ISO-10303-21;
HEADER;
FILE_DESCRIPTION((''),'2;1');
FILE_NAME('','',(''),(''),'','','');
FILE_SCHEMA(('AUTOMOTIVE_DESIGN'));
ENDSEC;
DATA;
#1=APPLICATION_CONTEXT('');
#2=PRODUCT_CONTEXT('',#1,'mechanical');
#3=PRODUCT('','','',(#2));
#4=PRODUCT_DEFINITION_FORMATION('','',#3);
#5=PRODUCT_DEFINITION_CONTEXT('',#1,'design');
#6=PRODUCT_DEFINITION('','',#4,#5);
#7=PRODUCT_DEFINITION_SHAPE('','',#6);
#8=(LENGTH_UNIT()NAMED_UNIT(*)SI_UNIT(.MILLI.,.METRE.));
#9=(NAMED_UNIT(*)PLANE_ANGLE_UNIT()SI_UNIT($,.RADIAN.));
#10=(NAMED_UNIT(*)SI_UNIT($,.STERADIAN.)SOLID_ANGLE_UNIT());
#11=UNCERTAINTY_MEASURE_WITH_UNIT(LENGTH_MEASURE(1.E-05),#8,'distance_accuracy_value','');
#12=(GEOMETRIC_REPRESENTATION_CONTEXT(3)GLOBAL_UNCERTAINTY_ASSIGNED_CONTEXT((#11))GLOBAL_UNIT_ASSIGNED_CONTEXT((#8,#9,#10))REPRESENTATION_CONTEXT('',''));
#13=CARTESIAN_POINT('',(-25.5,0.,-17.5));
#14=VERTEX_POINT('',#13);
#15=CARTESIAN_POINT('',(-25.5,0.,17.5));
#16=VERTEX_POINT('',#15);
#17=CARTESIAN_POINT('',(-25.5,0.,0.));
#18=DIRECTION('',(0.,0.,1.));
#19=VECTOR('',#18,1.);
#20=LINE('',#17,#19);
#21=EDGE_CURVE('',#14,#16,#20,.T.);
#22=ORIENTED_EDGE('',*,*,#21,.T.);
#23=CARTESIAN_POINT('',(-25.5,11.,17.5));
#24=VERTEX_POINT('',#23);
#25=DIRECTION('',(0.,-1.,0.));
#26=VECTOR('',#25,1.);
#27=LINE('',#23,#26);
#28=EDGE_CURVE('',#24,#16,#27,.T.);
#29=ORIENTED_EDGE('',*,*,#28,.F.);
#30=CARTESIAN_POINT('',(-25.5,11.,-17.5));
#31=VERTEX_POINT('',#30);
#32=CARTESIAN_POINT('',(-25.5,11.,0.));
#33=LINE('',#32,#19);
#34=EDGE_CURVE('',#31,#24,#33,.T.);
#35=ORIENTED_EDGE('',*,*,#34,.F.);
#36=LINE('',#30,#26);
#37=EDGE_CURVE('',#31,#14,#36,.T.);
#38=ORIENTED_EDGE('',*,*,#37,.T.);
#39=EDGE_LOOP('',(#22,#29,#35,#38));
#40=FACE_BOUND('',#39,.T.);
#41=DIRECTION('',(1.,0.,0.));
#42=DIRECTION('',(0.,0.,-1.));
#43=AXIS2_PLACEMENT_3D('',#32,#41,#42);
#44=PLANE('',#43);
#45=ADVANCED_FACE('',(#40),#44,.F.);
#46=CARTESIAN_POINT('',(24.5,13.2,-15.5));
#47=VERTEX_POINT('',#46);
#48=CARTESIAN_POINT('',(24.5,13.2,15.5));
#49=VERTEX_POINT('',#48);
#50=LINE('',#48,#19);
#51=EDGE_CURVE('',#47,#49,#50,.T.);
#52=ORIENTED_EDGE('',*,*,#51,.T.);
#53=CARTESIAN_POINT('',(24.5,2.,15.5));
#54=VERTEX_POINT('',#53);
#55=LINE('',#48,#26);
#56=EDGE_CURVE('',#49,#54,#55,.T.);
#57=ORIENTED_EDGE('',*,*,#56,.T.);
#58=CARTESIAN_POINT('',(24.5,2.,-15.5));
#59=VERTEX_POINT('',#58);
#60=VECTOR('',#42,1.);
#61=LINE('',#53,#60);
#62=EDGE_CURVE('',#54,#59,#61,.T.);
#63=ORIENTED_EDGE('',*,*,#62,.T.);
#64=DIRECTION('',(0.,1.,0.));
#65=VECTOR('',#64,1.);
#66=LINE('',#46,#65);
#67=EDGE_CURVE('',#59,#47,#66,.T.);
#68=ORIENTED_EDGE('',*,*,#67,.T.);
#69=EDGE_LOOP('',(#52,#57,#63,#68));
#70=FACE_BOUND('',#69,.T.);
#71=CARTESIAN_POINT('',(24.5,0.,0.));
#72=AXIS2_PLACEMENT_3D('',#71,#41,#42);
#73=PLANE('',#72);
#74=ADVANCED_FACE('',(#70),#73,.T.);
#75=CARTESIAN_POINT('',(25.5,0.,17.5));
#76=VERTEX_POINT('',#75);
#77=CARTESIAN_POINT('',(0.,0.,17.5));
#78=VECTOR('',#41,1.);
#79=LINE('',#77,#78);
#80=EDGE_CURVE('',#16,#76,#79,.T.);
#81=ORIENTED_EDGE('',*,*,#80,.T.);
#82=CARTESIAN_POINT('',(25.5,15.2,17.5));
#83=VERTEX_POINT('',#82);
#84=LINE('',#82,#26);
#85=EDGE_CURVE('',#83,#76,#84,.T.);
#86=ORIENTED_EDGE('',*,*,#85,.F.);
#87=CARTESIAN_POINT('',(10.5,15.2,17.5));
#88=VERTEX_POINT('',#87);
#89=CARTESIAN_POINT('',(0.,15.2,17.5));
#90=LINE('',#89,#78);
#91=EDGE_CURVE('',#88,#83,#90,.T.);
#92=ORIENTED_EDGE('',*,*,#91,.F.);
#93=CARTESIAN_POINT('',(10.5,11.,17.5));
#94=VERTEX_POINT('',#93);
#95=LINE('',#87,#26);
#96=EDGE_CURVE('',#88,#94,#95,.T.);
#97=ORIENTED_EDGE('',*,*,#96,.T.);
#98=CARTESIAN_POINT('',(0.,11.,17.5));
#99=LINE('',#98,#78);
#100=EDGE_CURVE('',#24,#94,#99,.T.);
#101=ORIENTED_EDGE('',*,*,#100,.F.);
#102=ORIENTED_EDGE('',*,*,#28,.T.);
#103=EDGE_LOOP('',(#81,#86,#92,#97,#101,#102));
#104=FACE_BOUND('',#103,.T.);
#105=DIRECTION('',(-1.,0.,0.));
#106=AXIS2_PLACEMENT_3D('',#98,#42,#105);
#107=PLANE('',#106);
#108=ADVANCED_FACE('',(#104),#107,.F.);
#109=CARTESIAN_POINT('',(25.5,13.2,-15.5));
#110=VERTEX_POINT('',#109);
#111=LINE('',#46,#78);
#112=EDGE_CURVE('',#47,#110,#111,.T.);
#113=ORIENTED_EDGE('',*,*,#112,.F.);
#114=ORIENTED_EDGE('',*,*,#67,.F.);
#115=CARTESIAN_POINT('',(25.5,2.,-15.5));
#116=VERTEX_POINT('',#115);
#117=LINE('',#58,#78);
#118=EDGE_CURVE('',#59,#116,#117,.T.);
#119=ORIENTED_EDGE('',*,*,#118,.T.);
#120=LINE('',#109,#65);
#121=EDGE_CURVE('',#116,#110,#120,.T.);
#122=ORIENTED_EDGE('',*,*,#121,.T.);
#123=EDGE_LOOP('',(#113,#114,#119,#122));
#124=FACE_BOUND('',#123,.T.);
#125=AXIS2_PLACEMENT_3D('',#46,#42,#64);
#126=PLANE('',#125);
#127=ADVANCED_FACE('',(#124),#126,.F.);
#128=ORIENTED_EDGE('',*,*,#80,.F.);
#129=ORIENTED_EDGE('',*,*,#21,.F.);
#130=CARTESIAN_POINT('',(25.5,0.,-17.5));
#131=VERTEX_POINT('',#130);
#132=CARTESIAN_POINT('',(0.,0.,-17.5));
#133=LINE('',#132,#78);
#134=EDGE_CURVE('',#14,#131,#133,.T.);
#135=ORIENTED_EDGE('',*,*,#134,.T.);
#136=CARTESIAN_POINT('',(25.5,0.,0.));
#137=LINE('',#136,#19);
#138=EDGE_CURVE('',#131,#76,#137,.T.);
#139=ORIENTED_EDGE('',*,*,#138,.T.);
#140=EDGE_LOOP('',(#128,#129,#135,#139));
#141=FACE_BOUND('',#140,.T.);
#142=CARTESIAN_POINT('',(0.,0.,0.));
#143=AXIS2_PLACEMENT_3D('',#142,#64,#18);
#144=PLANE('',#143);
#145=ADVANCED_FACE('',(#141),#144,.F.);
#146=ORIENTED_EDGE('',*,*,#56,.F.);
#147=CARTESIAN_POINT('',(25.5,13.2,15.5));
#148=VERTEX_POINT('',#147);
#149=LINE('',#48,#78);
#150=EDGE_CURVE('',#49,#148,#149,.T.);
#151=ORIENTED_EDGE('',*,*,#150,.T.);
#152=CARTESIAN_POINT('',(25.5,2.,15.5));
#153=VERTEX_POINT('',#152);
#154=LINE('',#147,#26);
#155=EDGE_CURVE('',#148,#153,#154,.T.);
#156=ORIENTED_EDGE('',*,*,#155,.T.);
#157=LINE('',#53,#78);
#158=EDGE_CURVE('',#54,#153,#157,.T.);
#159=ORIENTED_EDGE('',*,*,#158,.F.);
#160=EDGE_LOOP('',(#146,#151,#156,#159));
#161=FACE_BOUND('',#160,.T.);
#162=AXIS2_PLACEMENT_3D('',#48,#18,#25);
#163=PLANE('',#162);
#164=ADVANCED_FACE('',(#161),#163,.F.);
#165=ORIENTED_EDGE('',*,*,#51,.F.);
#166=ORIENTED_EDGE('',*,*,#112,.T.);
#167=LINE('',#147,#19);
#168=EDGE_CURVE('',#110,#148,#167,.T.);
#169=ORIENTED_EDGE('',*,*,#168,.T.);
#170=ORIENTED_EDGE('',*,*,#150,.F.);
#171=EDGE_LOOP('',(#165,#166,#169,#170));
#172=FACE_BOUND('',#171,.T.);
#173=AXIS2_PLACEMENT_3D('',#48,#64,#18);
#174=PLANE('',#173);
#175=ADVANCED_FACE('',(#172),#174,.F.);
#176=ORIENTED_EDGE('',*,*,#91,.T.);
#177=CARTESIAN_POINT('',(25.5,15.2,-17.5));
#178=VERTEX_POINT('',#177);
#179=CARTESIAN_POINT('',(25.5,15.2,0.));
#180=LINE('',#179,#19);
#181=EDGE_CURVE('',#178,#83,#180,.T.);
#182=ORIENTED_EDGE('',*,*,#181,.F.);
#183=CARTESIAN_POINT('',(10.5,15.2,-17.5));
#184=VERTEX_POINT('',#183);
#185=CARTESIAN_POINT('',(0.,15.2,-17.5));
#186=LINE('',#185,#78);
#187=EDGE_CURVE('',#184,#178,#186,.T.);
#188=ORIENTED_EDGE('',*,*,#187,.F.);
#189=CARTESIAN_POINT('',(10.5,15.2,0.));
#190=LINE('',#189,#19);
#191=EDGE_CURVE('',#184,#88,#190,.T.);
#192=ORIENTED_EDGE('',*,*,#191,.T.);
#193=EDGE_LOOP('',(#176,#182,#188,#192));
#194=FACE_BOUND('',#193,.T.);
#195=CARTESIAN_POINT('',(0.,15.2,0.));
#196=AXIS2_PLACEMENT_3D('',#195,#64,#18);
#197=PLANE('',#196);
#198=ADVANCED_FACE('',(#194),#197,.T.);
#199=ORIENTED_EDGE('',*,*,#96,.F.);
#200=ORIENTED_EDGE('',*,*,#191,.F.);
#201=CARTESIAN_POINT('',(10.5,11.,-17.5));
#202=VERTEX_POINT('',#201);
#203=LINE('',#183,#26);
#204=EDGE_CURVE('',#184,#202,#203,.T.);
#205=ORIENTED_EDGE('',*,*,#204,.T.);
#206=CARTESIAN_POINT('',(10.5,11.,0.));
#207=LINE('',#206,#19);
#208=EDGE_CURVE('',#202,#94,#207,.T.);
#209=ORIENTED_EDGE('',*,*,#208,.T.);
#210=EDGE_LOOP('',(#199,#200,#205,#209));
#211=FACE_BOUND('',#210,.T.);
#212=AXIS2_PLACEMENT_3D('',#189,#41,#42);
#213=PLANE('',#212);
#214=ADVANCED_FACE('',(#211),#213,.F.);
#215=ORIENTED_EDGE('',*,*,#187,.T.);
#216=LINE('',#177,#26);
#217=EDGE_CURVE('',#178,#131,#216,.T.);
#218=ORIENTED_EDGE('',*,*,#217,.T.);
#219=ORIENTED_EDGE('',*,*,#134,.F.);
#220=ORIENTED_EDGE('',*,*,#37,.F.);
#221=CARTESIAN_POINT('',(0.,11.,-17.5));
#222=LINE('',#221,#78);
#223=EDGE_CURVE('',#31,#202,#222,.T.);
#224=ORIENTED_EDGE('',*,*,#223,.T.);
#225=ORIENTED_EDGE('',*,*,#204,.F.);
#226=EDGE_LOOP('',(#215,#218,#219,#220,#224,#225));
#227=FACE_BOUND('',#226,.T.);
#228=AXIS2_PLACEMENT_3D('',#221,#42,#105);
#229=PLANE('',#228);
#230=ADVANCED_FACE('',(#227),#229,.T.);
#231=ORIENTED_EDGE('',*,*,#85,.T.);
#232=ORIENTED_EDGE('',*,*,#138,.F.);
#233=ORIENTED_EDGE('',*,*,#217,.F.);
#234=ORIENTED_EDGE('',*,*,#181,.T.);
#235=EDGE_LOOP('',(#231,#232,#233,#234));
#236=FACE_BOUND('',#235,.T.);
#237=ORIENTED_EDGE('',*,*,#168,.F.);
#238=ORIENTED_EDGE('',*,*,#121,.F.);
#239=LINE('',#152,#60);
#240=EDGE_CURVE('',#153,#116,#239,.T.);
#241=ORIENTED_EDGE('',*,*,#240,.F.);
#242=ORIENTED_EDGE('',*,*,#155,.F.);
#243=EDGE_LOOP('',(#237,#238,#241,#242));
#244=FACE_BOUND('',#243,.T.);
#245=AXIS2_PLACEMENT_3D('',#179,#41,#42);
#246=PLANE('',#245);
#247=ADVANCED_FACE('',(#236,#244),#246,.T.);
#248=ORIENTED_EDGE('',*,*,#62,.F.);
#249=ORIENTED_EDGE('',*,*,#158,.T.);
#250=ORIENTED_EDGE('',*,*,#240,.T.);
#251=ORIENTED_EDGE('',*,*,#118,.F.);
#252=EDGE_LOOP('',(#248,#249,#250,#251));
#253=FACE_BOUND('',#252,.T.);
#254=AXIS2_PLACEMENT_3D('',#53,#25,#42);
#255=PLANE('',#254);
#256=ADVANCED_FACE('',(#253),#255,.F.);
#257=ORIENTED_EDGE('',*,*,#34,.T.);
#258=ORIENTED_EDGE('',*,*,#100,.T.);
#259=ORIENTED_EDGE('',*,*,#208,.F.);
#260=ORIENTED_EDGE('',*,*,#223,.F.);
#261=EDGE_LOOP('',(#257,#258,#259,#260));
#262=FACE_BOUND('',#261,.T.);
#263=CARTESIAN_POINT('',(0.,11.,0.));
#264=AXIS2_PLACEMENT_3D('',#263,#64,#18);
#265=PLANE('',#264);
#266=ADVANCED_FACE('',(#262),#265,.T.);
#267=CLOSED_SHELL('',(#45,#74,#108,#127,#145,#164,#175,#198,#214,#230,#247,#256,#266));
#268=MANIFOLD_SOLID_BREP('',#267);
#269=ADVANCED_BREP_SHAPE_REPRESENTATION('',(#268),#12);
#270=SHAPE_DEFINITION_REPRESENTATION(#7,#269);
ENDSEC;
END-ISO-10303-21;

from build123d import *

# Parameters (mm, degrees)
SKETCH1_W           = 36
SKETCH1_H           = 35
BOSS_EXTRUDE1_DEPTH = 11
SKETCH1_3_W         = 15
SKETCH1_3_H         = 35
BOSS_EXTRUDE2_DEPTH = 15.2
SKETCH2_W           = 31
SKETCH2_H           = 11.2
CUT_EXTRUDE1_DEPTH  = 1


with BuildPart() as part:
    # Sketch1 → Boss-Extrude1 (new body)
    with BuildSketch(Plane(origin=(0, 0, 0), x_dir=(1, 0, 0), z_dir=(0, 1, 0))):
        with Locations((-7.5, 0)):
            Rectangle(SKETCH1_W, SKETCH1_H)
    extrude(amount=BOSS_EXTRUDE1_DEPTH)

    # Sketch1<3> → Boss-Extrude2 (add)
    with BuildSketch(Plane(origin=(0, 0, 0), x_dir=(1, 0, 0), z_dir=(0, 1, 0))):
        with Locations((18, 0)):
            Rectangle(SKETCH1_3_W, SKETCH1_3_H)
    extrude(amount=BOSS_EXTRUDE2_DEPTH)

    # Sketch2 → Cut-Extrude1 (cut)
    with BuildSketch(Plane(origin=(25.5, 0, 0), x_dir=(0, 0, -1), z_dir=(1, 0, 0))):
        with Locations((0, 7.6)):
            Rectangle(SKETCH2_W, SKETCH2_H)
    extrude(amount=-CUT_EXTRUDE1_DEPTH, mode=Mode.SUBTRACT)


solid = part.part
